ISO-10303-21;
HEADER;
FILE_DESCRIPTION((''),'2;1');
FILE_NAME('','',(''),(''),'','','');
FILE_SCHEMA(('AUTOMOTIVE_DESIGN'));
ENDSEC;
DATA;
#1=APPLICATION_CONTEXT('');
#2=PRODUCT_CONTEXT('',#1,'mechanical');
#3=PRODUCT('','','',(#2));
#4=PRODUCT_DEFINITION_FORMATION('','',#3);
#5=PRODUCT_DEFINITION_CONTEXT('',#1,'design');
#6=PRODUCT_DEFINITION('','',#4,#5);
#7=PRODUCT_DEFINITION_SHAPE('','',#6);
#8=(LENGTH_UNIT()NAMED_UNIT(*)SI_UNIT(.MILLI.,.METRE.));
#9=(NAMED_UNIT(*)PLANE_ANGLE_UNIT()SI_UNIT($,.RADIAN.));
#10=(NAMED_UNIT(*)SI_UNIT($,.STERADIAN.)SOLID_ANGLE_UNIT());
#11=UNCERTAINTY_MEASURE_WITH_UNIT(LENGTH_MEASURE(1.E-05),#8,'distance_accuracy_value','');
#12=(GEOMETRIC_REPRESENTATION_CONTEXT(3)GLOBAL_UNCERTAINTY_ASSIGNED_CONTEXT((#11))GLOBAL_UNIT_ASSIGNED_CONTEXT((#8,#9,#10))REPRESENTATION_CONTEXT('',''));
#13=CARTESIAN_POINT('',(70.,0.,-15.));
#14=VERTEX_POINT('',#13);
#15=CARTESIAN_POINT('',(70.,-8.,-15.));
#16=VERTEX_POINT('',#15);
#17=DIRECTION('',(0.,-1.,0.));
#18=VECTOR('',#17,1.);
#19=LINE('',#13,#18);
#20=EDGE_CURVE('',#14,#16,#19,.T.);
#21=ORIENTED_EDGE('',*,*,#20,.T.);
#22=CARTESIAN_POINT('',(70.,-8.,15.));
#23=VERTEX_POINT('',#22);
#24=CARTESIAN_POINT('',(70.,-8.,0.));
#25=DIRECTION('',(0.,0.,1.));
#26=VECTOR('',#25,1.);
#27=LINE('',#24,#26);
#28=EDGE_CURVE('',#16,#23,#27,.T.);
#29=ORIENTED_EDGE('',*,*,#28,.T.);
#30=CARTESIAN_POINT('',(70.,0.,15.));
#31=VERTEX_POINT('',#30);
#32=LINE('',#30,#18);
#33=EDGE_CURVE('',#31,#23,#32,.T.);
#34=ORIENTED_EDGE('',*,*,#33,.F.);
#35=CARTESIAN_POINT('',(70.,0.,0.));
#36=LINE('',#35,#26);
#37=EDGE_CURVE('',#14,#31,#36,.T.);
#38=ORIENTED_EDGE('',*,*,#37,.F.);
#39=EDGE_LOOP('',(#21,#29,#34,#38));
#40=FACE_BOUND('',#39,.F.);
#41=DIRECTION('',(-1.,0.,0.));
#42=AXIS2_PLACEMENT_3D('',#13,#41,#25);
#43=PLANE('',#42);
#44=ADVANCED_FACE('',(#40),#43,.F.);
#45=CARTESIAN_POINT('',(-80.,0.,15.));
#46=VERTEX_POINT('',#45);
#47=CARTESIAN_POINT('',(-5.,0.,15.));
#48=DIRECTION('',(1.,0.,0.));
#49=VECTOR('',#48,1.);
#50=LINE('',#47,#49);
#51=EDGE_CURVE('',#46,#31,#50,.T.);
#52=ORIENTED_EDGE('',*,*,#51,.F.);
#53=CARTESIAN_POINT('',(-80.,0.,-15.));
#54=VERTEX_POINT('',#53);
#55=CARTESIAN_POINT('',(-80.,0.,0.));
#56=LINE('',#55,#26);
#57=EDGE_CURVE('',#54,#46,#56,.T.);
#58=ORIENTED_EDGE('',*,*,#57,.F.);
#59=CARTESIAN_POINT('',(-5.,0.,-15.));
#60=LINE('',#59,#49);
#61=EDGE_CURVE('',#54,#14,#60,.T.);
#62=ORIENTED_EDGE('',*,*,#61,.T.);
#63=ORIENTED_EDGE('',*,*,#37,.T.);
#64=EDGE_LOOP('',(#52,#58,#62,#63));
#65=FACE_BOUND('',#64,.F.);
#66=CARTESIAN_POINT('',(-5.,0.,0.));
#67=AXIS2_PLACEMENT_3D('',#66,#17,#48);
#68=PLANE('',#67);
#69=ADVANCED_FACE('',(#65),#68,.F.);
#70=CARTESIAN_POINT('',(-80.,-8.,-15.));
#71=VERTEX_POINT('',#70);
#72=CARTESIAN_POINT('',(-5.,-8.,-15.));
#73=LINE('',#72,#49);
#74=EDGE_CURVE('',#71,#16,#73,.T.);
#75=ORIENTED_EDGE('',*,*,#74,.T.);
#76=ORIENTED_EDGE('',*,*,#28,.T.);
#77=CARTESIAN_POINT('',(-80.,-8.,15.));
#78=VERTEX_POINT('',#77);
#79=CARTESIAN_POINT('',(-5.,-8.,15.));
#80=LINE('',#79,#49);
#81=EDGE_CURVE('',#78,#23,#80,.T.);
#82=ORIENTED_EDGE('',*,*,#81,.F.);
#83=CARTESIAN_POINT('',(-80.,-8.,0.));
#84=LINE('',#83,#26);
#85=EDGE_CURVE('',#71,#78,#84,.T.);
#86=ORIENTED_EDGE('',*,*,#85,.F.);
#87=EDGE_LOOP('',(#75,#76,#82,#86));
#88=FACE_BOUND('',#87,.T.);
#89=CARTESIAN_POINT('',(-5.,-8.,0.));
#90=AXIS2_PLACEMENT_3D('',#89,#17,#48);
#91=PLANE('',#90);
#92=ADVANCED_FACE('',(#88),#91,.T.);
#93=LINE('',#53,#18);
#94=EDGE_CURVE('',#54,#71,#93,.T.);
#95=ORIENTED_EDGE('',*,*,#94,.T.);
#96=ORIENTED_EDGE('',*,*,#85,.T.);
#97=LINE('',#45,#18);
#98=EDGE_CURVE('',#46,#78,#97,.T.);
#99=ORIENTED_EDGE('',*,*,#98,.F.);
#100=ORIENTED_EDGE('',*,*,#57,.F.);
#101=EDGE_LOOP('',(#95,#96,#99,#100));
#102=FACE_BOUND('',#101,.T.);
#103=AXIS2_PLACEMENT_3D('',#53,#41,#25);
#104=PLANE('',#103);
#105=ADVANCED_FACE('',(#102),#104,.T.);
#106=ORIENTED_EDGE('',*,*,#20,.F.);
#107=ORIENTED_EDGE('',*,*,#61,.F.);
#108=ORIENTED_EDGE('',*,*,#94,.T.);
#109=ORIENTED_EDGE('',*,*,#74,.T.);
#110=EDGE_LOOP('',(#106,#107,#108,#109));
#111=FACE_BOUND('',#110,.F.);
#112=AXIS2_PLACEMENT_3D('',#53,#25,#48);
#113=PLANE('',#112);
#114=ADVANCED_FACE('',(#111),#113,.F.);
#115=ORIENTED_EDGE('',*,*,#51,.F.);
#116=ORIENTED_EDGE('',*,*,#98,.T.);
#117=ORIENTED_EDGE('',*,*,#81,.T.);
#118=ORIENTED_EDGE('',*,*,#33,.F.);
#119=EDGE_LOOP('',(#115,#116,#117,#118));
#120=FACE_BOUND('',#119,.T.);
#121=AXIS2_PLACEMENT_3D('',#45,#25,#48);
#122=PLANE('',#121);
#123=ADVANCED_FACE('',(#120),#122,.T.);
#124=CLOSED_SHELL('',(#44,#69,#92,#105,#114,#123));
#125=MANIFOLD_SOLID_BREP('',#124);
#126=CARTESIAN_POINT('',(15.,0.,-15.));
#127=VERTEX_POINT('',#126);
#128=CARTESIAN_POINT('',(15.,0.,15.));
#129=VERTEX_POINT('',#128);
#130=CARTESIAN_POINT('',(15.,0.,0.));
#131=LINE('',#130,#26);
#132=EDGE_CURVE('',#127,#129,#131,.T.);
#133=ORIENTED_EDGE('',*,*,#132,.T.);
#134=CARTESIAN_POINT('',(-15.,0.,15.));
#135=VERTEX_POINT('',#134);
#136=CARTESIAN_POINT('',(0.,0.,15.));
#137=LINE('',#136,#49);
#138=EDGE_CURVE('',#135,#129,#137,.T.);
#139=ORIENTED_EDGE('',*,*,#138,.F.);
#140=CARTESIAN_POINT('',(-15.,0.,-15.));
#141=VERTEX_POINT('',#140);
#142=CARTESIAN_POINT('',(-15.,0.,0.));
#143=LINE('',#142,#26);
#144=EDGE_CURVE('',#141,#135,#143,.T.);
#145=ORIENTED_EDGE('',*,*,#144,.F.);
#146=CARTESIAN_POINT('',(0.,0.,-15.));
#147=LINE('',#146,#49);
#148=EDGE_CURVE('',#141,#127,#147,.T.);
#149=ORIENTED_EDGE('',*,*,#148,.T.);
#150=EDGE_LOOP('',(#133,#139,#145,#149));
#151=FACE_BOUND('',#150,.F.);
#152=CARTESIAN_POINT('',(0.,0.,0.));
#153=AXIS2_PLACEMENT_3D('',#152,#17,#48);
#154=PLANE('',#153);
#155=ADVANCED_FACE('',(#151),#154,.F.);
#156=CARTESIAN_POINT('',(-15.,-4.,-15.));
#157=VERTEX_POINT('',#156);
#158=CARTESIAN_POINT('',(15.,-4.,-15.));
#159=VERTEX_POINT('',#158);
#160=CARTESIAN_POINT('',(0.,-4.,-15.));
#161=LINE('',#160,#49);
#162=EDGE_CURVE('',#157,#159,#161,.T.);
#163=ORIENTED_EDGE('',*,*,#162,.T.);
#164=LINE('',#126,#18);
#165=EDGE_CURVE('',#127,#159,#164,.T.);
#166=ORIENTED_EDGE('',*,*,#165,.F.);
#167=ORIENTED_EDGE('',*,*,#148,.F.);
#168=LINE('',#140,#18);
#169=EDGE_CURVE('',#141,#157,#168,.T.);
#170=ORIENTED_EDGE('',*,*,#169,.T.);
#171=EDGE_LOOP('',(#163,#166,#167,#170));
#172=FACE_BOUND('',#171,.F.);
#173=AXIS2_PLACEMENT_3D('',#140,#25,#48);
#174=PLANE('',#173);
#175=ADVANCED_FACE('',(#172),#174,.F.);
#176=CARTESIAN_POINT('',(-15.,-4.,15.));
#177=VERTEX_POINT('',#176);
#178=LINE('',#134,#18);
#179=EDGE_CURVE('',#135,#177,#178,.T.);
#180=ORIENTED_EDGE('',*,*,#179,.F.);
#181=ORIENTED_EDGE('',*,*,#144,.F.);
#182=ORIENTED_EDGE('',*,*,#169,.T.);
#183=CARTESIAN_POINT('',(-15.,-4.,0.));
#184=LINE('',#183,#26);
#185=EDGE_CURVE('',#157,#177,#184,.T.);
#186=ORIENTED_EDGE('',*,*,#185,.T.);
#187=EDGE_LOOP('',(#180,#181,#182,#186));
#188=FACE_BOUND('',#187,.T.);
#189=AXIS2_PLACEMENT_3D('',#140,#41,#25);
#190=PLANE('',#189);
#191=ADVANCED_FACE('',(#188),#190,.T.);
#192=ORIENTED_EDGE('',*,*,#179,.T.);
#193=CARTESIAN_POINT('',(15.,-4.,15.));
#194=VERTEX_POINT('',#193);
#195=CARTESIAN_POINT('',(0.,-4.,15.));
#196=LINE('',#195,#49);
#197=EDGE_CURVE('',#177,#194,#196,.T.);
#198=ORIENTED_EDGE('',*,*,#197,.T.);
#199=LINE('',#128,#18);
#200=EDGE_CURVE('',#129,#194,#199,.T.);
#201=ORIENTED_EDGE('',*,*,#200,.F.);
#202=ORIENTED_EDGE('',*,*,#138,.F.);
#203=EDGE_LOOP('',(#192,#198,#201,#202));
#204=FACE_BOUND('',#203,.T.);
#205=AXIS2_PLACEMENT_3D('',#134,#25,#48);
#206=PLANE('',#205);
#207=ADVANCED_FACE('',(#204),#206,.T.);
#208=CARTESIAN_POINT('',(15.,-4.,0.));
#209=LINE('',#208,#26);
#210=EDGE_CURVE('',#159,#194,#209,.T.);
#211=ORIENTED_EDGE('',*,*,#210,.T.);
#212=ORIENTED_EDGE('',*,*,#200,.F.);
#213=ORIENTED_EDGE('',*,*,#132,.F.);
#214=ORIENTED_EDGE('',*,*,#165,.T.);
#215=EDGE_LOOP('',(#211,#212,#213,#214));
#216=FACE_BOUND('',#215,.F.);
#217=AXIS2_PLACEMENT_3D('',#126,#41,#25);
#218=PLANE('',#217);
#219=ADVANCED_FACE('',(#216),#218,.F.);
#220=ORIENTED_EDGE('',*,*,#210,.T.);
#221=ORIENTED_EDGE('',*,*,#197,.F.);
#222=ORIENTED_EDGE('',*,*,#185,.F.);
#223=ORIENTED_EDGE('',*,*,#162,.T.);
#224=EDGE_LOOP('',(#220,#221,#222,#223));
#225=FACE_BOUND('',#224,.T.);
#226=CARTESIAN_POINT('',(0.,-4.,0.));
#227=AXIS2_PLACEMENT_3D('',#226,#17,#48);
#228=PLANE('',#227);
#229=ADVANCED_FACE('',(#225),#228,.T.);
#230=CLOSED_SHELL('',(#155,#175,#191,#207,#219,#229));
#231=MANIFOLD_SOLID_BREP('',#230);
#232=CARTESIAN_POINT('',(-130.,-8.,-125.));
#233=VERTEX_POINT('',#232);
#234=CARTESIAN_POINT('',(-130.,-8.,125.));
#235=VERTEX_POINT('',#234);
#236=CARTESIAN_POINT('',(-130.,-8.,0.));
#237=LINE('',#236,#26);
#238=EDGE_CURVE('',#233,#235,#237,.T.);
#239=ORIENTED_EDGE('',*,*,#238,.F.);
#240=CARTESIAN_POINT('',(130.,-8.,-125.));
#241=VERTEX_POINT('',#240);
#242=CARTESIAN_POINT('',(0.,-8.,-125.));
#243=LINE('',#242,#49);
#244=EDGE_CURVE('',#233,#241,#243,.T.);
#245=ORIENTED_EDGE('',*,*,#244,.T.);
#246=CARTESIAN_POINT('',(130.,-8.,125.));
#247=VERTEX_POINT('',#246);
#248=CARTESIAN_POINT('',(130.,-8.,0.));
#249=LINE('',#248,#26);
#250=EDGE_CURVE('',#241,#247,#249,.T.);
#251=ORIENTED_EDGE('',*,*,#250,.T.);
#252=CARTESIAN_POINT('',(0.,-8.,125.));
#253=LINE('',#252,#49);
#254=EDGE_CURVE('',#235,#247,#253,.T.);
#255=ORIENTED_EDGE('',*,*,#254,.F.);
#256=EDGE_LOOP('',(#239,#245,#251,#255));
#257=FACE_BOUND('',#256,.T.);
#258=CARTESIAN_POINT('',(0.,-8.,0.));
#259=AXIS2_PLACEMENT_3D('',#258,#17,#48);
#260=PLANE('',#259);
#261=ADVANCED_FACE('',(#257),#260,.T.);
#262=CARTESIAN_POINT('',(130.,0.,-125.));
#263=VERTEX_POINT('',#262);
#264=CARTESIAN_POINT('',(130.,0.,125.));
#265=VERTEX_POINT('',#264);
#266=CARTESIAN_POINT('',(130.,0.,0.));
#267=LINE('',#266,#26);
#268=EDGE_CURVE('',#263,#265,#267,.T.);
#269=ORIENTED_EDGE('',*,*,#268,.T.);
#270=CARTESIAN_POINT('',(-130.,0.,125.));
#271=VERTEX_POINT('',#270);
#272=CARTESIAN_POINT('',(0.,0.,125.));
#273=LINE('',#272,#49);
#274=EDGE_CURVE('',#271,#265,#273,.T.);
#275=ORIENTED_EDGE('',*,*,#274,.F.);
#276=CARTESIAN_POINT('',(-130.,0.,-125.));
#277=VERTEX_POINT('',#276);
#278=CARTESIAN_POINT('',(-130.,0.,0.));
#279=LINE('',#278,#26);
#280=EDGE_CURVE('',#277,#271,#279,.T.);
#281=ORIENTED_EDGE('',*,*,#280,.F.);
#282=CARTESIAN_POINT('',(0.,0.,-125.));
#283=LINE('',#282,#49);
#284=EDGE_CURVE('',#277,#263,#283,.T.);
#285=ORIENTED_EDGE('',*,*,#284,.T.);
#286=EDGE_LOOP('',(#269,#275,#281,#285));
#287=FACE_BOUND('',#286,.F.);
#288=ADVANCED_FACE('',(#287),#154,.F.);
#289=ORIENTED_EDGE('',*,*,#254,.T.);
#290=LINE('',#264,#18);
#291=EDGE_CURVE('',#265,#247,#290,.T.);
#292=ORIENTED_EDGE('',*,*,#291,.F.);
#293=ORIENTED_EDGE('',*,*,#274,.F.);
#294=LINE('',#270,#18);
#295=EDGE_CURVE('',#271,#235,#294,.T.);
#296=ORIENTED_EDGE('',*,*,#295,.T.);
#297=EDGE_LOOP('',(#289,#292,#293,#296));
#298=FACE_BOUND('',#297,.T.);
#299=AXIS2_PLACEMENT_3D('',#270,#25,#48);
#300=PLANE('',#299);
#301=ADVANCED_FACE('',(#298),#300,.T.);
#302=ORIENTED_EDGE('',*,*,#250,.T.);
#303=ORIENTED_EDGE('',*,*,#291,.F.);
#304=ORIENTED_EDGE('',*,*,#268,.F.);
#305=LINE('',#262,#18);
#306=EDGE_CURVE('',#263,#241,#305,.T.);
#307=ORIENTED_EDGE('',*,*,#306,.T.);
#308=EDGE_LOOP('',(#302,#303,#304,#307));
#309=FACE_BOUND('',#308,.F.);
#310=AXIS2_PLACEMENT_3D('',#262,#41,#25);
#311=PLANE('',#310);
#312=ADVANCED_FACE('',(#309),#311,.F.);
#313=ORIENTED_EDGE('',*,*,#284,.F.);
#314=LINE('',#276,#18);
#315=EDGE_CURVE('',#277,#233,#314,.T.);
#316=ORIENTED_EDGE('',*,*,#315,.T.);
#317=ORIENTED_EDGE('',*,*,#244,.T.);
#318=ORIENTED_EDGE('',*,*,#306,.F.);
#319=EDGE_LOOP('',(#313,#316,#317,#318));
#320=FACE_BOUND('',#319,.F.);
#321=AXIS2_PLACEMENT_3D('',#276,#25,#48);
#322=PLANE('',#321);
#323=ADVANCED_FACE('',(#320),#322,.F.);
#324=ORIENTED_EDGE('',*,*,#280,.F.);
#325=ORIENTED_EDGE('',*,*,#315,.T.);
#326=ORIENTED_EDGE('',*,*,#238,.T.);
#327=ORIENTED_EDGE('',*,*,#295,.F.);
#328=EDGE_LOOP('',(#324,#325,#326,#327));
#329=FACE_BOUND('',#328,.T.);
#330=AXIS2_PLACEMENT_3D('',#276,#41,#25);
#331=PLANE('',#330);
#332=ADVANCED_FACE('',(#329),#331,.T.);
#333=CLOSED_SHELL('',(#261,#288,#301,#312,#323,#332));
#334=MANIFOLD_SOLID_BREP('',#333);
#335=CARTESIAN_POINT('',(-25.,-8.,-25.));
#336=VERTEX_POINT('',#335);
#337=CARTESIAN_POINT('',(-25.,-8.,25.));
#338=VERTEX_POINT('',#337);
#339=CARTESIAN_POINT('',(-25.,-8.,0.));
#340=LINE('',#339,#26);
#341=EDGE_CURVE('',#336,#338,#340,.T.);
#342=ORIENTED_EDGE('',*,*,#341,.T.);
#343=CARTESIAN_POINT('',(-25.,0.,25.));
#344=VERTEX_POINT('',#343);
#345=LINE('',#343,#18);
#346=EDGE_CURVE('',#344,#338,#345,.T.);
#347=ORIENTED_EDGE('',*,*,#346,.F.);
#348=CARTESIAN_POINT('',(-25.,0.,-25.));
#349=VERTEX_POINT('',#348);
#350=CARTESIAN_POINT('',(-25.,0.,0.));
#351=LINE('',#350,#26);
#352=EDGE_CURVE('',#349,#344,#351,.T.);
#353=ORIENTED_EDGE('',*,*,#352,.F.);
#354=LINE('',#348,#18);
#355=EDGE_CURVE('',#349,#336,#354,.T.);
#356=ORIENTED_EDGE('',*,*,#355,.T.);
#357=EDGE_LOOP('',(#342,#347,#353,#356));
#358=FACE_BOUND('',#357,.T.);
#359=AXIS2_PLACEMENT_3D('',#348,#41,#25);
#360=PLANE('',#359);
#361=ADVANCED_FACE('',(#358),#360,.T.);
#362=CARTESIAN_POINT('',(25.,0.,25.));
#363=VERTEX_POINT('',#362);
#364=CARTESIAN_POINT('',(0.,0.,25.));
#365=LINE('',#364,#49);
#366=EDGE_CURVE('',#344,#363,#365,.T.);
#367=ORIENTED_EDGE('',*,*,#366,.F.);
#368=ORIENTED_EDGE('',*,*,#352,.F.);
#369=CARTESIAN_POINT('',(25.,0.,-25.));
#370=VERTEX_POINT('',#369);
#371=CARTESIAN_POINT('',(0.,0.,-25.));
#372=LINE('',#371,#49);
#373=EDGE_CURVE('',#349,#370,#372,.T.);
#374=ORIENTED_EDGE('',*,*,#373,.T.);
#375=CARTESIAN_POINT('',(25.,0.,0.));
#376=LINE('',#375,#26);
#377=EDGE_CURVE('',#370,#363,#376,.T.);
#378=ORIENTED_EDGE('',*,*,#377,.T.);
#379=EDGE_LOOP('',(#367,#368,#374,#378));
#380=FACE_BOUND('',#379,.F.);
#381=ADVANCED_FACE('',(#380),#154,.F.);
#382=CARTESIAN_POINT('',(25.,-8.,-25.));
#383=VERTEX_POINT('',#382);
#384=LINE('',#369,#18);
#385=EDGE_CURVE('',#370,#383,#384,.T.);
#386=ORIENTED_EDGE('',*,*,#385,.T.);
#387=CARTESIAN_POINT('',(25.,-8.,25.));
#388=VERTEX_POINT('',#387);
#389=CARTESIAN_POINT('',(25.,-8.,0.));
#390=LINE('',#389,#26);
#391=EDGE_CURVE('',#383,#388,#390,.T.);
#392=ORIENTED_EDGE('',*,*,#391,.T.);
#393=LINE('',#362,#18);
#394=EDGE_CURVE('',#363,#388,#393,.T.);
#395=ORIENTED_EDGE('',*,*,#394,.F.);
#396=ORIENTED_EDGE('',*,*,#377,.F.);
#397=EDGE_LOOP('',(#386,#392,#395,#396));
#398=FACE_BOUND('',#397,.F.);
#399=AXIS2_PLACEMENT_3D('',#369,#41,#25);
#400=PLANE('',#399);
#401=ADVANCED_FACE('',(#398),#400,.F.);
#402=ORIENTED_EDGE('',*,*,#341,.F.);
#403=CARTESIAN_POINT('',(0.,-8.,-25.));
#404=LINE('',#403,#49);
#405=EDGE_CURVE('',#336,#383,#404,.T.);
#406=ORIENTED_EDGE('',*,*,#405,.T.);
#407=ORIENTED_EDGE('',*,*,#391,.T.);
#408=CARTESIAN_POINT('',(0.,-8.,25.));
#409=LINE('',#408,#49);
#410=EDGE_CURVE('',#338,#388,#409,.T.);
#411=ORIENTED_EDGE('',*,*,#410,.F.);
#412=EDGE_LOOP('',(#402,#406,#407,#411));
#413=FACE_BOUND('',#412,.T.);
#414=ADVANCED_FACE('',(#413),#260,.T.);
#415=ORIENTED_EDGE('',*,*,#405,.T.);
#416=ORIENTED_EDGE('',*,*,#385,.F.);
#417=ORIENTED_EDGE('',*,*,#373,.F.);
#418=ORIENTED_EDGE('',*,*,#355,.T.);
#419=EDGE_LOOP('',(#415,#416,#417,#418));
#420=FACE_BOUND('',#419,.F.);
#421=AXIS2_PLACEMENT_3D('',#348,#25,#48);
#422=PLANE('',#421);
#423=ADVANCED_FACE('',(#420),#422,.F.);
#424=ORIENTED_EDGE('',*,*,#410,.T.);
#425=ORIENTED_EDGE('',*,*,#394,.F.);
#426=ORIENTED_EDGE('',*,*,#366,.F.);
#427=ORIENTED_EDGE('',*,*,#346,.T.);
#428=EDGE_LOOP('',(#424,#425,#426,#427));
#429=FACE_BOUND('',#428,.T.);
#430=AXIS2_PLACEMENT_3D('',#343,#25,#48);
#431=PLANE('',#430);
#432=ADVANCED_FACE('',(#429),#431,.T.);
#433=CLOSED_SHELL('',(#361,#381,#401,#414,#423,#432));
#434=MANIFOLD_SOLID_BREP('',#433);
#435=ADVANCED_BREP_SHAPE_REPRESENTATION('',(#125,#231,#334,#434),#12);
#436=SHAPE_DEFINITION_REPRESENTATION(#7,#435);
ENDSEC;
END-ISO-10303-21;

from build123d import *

# Parameters (mm, degrees)
F0_W     = 260
F0_H     = 250
F1_DEPTH = 8
F2_W     = 30
F2_H     = 30
F3_DEPTH = 4
F4_W     = 50
F4_H     = 50
F5_DEPTH = 8
F6_W     = 150
F6_H     = 30
F7_DEPTH = 8


with BuildPart() as f1:
    # F0 (on Front) → F1 (new body)
    with BuildSketch(Plane.XZ):
        Rectangle(F0_W, F0_H)
    extrude(amount=F1_DEPTH)


with BuildPart() as f3:
    # F2 (on Front) → F3 (new body)
    with BuildSketch(Plane.XZ):
        Rectangle(F2_W, F2_H)
    extrude(amount=F3_DEPTH)


with BuildPart() as f5:
    # F4 (on Front) → F5 (new body)
    with BuildSketch(Plane.XZ):
        Rectangle(F4_W, F4_H)
    extrude(amount=F5_DEPTH)


with BuildPart() as f7:
    # F6 (on Front) → F7 (new body)
    with BuildSketch(Plane.XZ):
        with Locations((-5, 0)):
            Rectangle(F6_W, F6_H)
    extrude(amount=F7_DEPTH)


solid = Compound([f1.part, f3.part, f5.part, f7.part])
